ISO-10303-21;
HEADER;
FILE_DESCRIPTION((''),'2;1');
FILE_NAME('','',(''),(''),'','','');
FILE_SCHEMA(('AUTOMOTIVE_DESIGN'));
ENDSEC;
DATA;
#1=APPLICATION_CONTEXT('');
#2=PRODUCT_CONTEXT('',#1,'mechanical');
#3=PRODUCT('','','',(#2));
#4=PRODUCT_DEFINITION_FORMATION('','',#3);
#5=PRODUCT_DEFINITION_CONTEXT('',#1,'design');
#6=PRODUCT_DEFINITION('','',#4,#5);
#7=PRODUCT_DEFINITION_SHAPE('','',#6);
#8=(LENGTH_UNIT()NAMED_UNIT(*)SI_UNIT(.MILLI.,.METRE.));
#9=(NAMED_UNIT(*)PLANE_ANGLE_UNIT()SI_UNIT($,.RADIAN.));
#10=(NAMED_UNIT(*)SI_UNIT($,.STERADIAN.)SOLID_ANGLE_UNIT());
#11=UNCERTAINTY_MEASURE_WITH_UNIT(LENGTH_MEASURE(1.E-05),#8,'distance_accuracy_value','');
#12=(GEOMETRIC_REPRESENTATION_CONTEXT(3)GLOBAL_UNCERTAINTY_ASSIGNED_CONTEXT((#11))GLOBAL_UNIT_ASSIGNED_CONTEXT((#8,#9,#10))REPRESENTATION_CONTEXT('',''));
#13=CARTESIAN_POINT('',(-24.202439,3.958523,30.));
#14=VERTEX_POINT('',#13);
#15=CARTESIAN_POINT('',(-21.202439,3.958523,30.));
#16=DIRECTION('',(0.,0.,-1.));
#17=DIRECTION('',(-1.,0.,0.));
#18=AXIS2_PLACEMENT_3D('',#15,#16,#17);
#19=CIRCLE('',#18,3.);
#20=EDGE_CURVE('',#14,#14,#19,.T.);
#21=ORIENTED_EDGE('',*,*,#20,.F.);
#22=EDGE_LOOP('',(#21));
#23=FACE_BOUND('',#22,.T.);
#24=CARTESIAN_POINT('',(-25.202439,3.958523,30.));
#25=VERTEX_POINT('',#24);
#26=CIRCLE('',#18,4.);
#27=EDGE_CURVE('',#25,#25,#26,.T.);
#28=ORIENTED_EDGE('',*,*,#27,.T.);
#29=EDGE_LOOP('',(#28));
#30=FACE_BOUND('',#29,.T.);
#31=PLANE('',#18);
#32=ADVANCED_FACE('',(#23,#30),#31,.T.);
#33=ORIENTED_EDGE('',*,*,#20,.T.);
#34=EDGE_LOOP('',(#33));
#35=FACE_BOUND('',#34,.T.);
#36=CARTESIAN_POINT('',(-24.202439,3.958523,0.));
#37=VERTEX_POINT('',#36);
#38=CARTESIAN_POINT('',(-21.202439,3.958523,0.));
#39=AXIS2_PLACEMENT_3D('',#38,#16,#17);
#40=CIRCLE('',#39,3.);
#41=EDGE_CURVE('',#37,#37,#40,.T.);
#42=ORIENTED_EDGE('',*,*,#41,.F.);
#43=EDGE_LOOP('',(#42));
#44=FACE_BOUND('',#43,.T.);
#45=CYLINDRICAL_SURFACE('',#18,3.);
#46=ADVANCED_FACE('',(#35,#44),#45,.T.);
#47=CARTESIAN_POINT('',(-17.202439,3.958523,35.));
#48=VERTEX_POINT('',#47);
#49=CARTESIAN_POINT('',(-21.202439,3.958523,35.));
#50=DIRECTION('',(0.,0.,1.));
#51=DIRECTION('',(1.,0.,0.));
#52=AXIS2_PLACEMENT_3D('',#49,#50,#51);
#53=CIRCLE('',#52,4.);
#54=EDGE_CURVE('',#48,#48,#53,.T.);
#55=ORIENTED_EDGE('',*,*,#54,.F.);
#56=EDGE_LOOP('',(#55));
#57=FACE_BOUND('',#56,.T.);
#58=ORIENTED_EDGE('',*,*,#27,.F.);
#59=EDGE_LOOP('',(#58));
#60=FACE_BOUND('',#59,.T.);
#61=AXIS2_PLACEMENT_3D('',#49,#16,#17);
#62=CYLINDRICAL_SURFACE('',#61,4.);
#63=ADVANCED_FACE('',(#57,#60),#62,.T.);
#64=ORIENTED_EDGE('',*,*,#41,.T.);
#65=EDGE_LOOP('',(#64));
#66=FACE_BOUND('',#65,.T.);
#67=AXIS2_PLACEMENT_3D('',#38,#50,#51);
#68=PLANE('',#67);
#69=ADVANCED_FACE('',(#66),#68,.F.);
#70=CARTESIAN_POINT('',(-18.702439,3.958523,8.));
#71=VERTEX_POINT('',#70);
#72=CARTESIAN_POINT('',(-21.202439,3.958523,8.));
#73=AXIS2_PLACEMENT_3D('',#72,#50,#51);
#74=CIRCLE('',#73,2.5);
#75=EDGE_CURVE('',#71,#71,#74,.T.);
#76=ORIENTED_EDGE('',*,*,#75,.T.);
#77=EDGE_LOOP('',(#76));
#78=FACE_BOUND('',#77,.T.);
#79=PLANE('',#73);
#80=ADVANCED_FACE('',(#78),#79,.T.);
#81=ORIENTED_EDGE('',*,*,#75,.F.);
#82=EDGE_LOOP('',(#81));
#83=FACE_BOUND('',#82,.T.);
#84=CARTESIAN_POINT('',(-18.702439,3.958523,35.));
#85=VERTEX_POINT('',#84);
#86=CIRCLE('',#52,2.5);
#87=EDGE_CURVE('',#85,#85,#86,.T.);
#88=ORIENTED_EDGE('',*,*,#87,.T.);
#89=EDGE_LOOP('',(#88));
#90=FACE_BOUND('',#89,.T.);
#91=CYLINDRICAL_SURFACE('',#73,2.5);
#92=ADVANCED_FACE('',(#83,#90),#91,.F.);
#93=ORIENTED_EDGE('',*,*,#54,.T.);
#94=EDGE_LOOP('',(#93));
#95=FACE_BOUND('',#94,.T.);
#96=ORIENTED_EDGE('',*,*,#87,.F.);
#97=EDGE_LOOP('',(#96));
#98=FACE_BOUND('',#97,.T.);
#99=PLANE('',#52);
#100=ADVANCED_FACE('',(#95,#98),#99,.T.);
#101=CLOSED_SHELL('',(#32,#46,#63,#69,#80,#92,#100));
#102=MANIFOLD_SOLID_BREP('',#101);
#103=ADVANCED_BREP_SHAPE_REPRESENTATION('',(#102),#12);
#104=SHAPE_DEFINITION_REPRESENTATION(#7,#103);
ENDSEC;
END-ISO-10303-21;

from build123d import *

# Parameters (mm, degrees)
SKIZZE1_R                       = 4
AUFSATZ_LINEAR_AUSTRAGEN1_DEPTH = 35
SKIZZE2_R                       = 2.5
SCHNITT_LINEAR_AUSTRAGEN1_DEPTH = 27
SKIZZE3_R                       = 12.769442974
SKIZZE3_R_2                     = 3
SCHNITT_LINEAR_AUSTRAGEN2_DEPTH = 30


with BuildPart() as part:
    # Skizze1 → Aufsatz-Linear austragen1 (new body)
    with BuildSketch(Plane.XY):
        with Locations((-21.202438913, 3.95852329)):
            Circle(SKIZZE1_R)
    extrude(amount=AUFSATZ_LINEAR_AUSTRAGEN1_DEPTH)

    # Skizze2 → Schnitt-Linear austragen1 (cut)
    with BuildSketch(Plane.XY.offset(35)):
        with Locations((-21.202438913, 3.95852329)):
            Circle(SKIZZE2_R)
    extrude(amount=-SCHNITT_LINEAR_AUSTRAGEN1_DEPTH, mode=Mode.SUBTRACT)

    # Skizze3 → Schnitt-Linear austragen2 (cut)
    with BuildSketch(Plane(origin=(0, 0, 0), x_dir=(-1, 0, 0), z_dir=(0, 0, -1))):
        with Locations((21.202438913, 3.95852329)):
            Circle(SKIZZE3_R)
        with Locations((21.202438913, 3.95852329)):
            Circle(SKIZZE3_R_2, mode=Mode.SUBTRACT)
    extrude(amount=-SCHNITT_LINEAR_AUSTRAGEN2_DEPTH, mode=Mode.SUBTRACT)


solid = part.part
